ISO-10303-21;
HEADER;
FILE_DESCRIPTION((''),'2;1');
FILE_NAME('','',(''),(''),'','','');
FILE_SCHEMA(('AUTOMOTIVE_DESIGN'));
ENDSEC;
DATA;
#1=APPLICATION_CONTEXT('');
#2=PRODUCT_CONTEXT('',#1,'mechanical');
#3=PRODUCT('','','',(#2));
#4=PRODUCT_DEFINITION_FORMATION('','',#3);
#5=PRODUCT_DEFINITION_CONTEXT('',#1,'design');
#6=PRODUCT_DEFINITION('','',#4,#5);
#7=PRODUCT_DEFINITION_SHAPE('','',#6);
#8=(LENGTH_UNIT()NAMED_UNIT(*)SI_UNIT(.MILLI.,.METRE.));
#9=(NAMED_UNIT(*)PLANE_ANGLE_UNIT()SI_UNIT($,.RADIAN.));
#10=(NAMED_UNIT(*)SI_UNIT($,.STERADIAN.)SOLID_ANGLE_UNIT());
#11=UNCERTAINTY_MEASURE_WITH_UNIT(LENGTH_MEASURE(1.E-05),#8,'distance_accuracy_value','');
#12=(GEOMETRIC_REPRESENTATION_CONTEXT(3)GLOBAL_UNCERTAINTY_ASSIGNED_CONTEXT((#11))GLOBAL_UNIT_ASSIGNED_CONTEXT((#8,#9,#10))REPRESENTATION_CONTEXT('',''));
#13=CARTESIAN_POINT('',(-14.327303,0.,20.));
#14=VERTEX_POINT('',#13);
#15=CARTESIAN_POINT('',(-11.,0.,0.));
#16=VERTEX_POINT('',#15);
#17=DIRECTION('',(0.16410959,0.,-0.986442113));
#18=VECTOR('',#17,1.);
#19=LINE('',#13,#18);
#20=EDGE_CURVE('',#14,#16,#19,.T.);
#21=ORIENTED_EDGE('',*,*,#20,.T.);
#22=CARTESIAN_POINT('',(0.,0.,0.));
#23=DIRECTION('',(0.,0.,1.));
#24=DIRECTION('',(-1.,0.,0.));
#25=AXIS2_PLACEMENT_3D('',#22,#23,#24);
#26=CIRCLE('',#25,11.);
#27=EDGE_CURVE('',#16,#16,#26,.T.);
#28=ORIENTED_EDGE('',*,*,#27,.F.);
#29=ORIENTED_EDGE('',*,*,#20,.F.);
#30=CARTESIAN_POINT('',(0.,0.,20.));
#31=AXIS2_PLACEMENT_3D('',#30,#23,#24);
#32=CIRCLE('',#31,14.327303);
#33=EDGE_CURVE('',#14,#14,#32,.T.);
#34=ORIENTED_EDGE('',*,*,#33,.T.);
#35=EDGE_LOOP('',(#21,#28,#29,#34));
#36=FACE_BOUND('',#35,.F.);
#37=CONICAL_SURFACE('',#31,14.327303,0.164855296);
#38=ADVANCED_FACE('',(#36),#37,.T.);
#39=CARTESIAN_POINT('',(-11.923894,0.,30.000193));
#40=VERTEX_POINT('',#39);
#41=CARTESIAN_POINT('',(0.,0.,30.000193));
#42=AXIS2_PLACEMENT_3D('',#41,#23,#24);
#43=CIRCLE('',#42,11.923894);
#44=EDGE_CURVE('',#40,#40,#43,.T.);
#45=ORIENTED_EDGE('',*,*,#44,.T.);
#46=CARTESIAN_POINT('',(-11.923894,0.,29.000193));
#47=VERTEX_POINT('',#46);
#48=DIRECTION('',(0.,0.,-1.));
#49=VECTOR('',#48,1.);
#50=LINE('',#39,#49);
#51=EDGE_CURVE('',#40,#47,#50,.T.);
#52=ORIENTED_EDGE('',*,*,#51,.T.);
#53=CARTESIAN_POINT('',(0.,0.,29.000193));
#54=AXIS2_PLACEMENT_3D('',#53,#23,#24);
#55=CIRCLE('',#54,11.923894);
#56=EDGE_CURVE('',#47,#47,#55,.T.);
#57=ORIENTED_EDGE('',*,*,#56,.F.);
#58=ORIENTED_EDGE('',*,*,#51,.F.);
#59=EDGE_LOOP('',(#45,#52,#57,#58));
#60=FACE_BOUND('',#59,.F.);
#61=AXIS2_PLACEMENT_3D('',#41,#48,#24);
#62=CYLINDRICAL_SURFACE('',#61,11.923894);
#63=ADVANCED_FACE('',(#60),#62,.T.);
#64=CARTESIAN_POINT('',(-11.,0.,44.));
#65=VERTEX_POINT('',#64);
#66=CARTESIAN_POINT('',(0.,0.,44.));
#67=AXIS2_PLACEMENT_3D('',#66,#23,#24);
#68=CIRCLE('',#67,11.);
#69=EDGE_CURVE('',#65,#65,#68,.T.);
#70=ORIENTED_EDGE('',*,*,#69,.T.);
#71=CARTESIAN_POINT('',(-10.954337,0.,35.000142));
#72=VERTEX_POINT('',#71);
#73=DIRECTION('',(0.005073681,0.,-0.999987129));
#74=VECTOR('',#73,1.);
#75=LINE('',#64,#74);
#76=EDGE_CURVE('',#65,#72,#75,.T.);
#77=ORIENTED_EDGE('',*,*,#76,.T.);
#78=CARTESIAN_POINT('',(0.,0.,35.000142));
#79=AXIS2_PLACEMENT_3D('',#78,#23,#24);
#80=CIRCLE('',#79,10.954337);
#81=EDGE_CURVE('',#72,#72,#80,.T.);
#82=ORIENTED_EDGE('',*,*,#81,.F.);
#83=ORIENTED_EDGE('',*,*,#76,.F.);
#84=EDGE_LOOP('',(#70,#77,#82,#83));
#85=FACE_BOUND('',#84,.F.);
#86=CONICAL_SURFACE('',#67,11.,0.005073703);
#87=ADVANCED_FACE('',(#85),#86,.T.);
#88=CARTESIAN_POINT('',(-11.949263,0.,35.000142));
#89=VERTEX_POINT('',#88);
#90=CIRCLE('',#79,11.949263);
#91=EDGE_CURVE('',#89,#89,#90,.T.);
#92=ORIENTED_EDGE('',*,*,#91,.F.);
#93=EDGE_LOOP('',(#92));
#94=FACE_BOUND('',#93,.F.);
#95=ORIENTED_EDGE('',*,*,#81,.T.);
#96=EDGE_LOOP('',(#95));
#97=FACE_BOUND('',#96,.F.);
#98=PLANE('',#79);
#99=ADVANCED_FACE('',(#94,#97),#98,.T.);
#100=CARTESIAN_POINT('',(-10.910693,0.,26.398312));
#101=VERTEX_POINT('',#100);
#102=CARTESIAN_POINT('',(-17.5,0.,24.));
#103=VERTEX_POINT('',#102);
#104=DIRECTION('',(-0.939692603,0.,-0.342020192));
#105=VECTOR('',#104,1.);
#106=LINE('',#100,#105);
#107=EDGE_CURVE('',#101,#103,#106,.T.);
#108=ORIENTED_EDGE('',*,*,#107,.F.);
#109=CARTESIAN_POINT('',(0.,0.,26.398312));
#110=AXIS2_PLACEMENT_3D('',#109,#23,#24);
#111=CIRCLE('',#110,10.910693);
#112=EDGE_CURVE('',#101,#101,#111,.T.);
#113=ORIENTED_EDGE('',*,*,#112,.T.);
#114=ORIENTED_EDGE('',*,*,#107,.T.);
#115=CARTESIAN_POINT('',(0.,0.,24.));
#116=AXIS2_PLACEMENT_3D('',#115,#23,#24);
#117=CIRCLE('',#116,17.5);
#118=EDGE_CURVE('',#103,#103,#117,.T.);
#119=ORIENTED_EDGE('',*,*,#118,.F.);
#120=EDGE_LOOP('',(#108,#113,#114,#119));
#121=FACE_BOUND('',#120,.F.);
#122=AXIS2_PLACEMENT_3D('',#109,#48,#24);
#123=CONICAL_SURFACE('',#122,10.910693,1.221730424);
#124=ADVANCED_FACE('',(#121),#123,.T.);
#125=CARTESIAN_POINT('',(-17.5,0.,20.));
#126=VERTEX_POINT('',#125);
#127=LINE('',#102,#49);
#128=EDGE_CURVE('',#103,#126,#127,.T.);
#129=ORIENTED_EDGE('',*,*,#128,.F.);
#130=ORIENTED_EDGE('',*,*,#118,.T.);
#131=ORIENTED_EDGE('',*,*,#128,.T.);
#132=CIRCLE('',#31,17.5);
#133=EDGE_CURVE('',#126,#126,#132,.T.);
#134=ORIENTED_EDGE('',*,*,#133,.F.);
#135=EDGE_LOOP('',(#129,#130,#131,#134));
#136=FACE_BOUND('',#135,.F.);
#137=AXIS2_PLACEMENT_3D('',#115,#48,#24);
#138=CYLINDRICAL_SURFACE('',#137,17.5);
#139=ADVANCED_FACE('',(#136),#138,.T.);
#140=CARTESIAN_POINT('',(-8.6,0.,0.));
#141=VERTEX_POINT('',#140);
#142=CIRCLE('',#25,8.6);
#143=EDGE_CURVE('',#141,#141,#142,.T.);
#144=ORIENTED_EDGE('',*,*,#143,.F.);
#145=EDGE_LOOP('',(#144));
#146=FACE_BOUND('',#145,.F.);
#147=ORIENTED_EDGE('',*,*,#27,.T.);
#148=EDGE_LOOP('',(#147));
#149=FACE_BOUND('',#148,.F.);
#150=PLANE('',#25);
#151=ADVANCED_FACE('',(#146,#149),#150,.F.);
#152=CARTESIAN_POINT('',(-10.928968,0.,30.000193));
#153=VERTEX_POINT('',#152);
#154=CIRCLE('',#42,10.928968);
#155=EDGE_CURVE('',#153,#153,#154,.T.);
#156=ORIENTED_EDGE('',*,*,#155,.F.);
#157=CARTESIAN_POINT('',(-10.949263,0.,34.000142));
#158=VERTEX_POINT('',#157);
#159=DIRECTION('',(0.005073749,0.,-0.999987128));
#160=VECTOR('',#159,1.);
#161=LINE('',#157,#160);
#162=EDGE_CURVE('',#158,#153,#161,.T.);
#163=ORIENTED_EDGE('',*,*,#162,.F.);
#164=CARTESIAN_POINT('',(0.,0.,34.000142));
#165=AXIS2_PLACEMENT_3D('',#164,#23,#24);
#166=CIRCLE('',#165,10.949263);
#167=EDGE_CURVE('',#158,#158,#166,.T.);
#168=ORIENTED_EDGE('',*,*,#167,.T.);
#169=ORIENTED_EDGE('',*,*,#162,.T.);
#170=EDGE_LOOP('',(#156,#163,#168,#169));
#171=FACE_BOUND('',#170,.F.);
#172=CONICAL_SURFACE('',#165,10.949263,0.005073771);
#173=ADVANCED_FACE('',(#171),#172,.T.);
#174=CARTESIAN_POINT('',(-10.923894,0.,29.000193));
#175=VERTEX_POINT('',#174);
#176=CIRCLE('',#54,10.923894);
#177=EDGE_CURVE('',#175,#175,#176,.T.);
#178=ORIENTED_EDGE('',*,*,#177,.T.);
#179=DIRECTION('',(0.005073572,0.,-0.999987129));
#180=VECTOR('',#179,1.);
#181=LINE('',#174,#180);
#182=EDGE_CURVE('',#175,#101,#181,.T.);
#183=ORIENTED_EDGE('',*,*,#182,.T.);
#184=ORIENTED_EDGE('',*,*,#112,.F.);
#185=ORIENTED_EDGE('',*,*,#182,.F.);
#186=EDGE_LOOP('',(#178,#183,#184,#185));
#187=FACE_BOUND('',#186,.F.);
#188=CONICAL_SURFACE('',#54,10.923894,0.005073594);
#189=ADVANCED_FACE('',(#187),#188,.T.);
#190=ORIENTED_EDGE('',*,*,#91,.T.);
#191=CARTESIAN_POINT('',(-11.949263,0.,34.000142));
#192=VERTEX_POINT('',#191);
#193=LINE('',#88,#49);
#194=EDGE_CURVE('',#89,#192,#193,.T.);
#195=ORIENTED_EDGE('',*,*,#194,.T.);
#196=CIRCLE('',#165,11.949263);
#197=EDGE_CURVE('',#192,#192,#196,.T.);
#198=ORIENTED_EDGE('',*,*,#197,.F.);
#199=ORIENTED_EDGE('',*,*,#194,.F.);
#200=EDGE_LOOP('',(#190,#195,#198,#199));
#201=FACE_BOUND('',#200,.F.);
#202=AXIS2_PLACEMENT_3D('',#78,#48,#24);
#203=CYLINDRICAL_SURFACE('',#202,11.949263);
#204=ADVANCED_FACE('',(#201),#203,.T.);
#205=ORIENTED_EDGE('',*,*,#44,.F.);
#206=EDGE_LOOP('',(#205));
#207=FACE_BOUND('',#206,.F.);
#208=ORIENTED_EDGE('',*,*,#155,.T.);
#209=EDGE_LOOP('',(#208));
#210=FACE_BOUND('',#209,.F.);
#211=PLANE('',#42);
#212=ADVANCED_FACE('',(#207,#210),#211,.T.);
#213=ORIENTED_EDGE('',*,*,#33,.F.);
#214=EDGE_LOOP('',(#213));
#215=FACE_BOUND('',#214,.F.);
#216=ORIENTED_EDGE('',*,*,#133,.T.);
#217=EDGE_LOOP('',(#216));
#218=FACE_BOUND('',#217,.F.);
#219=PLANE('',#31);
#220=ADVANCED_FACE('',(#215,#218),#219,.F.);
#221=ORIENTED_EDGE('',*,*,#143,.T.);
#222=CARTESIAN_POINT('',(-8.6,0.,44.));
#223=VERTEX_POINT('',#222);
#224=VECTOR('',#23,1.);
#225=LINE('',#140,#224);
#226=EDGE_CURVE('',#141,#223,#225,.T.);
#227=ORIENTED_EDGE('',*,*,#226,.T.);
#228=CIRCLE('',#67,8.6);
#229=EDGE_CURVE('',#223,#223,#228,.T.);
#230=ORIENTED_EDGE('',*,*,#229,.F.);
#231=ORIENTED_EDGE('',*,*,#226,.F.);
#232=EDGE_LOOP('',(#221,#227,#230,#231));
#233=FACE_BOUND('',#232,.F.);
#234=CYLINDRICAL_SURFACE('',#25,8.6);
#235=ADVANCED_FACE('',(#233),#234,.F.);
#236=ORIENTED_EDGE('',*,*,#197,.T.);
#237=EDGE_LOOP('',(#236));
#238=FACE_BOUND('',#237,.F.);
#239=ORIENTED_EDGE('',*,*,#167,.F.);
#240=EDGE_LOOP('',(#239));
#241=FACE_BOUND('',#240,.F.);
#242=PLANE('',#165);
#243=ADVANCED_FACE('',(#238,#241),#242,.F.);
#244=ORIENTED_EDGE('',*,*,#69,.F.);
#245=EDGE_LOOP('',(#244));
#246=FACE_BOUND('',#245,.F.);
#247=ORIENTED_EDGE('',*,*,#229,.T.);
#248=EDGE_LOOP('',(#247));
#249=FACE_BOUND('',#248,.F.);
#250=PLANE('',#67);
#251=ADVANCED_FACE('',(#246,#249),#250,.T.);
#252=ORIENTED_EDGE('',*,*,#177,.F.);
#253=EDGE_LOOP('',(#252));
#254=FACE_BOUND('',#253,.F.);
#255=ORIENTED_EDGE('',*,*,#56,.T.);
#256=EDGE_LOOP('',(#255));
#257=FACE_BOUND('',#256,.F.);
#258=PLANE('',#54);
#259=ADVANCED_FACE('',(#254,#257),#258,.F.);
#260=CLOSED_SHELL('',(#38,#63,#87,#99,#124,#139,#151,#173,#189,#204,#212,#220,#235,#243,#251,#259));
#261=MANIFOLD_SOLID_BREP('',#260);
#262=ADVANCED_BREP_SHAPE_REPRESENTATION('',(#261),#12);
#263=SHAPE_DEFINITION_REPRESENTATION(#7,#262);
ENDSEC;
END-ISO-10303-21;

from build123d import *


with BuildPart() as f1:
    # F0 (on Front) → F1 (revolve)
    with BuildSketch(Plane.XZ):
        Polygon((-17.5, 24), (-17.5, 20), (-14.327303, 20), (-11, 0), (-8.6, 0), (-8.6, 44), (-11, 44), (-10.954337, 35.000142), (-11.949263, 35.000142), (-11.949263, 34.000142), (-10.949263, 34.000142), (-10.928968, 30.000193), (-11.923894, 30.000193), (-11.923894, 29.000193), (-10.923894, 29.000193), (-10.910693, 26.398312), align=None)
    revolve(axis=Axis((0, 0, 10.536797), (0, 0, 1)))


solid = f1.part
